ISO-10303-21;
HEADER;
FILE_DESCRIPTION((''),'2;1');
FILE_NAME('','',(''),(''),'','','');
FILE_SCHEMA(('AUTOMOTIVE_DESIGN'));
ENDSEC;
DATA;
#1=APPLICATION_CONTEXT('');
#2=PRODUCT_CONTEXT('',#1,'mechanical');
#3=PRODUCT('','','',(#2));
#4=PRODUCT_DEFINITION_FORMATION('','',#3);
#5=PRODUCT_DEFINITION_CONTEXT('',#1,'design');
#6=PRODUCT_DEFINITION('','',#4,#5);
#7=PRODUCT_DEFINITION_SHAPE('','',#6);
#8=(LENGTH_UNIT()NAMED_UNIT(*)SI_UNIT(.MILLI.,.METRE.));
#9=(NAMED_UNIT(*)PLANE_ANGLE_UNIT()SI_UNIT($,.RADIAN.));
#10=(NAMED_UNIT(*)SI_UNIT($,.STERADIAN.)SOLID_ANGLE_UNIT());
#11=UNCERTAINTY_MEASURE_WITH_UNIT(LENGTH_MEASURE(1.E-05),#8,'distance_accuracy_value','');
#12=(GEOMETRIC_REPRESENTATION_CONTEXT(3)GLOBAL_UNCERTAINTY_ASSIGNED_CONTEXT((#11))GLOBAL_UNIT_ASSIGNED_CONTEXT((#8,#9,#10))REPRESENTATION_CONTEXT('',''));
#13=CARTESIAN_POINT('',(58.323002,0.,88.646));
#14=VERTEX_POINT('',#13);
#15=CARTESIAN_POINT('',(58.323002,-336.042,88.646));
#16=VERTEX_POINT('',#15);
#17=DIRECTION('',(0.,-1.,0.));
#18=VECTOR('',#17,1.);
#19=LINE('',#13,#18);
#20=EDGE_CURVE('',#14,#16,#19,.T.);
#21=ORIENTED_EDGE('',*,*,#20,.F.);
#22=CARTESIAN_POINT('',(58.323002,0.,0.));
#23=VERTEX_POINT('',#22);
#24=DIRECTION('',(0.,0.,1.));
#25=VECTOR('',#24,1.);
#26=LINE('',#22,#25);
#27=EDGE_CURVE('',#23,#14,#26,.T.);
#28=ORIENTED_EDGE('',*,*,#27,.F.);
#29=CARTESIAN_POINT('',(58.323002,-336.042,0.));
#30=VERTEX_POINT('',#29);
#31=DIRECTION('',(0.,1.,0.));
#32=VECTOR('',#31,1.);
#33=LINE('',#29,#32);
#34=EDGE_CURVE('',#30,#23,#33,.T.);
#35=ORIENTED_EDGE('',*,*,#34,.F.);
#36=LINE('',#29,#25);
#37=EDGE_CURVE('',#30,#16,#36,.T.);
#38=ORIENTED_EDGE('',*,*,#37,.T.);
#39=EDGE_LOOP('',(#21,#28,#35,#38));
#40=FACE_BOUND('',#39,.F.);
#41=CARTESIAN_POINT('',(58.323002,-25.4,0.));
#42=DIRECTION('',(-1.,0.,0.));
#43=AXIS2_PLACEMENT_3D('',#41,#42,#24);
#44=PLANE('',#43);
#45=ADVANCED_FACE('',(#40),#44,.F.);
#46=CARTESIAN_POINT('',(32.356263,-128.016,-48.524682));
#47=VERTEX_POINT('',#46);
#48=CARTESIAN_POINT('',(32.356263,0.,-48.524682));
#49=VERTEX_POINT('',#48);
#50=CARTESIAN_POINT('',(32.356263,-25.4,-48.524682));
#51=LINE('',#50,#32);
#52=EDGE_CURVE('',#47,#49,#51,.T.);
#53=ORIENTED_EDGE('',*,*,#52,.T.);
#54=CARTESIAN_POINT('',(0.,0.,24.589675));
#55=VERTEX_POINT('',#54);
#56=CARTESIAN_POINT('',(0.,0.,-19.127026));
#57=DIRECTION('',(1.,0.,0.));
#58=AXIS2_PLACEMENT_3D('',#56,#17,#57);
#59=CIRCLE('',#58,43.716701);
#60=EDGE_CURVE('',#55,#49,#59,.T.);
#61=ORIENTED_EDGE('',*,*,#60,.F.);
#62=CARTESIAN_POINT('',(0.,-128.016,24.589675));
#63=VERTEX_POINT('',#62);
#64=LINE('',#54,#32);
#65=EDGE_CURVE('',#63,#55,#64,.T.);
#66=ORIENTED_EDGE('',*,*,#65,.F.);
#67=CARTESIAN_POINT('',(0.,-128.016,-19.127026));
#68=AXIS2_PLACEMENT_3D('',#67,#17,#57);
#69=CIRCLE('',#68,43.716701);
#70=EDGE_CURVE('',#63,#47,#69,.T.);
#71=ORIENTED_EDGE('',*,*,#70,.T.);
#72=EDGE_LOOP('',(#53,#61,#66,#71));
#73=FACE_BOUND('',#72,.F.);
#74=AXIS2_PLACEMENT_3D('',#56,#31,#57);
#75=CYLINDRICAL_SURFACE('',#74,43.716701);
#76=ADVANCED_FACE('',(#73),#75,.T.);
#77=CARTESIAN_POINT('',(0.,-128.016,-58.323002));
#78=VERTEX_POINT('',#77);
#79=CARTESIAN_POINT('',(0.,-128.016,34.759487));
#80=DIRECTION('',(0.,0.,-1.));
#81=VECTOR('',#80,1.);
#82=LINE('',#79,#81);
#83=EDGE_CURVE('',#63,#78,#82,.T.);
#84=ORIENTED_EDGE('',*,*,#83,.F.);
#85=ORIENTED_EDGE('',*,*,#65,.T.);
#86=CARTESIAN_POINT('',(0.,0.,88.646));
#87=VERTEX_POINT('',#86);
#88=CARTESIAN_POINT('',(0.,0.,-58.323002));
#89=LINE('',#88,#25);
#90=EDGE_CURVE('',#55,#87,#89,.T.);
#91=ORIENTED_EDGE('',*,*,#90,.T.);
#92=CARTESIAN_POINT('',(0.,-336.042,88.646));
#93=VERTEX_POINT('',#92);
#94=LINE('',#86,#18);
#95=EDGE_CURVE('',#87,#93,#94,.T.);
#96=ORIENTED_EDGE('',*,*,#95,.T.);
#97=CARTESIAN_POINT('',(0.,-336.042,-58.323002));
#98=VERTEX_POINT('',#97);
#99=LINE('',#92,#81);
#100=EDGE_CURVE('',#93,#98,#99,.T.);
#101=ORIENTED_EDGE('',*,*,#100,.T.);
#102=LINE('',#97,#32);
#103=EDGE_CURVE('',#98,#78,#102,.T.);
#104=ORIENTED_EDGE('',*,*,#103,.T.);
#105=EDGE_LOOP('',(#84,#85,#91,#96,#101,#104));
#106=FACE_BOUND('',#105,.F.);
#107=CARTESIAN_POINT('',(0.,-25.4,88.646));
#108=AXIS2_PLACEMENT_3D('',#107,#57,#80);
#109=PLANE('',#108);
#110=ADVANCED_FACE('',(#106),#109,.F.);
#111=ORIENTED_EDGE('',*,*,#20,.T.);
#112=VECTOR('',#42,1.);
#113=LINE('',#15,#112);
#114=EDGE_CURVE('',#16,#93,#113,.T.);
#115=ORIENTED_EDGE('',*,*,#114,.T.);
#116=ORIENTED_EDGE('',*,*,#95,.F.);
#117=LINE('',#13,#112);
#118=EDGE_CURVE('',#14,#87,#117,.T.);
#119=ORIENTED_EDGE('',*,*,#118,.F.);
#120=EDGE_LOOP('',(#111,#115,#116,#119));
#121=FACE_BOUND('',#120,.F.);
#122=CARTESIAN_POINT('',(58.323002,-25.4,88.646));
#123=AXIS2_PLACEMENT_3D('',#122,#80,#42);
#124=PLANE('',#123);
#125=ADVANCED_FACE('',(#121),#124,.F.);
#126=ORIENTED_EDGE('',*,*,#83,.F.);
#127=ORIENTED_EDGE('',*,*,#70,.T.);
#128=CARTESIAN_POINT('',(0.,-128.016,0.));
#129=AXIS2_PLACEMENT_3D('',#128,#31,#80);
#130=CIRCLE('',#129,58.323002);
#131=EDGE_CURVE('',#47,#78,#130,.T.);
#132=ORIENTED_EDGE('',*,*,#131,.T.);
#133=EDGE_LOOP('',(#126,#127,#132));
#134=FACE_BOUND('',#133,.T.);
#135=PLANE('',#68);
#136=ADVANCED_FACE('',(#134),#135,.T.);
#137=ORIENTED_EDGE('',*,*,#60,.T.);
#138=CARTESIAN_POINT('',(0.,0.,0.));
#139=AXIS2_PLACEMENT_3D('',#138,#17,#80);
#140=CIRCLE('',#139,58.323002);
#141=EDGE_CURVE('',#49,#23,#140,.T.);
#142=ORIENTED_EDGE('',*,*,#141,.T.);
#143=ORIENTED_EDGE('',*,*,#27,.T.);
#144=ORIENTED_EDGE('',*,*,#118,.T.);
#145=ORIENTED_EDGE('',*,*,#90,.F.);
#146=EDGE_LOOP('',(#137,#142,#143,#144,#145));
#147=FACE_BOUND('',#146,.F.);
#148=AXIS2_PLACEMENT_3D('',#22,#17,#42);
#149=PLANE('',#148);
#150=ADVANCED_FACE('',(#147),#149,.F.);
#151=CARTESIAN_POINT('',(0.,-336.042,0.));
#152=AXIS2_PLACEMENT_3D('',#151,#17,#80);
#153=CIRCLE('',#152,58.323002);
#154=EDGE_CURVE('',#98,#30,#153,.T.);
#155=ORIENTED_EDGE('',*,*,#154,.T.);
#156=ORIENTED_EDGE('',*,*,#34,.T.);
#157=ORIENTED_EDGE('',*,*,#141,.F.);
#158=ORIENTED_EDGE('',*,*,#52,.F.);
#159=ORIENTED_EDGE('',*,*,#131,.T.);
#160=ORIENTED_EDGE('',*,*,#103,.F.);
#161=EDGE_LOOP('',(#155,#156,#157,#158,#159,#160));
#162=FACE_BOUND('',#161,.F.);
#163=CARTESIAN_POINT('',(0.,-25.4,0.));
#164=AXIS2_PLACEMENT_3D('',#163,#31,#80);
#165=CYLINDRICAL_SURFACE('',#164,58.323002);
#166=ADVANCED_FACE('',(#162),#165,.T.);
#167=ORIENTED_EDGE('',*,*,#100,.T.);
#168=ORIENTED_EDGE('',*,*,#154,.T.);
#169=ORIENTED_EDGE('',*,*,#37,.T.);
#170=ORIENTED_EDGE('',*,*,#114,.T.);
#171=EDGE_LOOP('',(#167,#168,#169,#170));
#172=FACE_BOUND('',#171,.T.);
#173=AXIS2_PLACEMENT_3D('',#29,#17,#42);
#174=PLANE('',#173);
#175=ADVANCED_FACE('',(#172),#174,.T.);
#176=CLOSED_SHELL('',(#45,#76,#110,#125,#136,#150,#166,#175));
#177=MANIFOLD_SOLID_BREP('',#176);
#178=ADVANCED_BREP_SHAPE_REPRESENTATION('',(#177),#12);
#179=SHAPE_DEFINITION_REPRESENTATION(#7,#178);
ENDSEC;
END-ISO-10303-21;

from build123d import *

# Parameters (mm, degrees)
F2_DEPTH = 25.4
F3_DEPTH = 88.646
F4_DEPTH = 310.642
F1_R     = 43.7167010522
F5_DEPTH = 128.016


with BuildPart() as f2:
    # F0 (on Front) → F2 (new body)
    with BuildSketch(Plane.XZ):
        with BuildLine():
            Line((58.3230019719, 0), (0, 0))
            Line((0, 0), (0, -58.3230019719))
            ThreePointArc((0, -58.3230019719), (41.2405901935, -41.2405901935), (58.3230019719, 0))
        make_face()
    extrude(amount=F2_DEPTH)

    # F3 (add): a face of the model
    f3_faces = [f2.faces().sort_by_distance(p)[0] for p in [
        (29.1615009859, -12.7, 0),
    ]]
    extrude(f3_faces, amount=F3_DEPTH)

    # F4 (add): a face of the model
    f4_faces = [f2.faces().sort_by_distance(p)[0] for p in [
        (27.6595840852, -25.4, 20.7894486582),
    ]]
    extrude(f4_faces, amount=F4_DEPTH)

    # F1 (on Front) → F5 (join)
    with BuildSketch(Plane.XZ):
        with Locations((0, -19.1270262003)):
            Circle(F1_R)
    extrude(amount=F5_DEPTH)


solid = f2.part
